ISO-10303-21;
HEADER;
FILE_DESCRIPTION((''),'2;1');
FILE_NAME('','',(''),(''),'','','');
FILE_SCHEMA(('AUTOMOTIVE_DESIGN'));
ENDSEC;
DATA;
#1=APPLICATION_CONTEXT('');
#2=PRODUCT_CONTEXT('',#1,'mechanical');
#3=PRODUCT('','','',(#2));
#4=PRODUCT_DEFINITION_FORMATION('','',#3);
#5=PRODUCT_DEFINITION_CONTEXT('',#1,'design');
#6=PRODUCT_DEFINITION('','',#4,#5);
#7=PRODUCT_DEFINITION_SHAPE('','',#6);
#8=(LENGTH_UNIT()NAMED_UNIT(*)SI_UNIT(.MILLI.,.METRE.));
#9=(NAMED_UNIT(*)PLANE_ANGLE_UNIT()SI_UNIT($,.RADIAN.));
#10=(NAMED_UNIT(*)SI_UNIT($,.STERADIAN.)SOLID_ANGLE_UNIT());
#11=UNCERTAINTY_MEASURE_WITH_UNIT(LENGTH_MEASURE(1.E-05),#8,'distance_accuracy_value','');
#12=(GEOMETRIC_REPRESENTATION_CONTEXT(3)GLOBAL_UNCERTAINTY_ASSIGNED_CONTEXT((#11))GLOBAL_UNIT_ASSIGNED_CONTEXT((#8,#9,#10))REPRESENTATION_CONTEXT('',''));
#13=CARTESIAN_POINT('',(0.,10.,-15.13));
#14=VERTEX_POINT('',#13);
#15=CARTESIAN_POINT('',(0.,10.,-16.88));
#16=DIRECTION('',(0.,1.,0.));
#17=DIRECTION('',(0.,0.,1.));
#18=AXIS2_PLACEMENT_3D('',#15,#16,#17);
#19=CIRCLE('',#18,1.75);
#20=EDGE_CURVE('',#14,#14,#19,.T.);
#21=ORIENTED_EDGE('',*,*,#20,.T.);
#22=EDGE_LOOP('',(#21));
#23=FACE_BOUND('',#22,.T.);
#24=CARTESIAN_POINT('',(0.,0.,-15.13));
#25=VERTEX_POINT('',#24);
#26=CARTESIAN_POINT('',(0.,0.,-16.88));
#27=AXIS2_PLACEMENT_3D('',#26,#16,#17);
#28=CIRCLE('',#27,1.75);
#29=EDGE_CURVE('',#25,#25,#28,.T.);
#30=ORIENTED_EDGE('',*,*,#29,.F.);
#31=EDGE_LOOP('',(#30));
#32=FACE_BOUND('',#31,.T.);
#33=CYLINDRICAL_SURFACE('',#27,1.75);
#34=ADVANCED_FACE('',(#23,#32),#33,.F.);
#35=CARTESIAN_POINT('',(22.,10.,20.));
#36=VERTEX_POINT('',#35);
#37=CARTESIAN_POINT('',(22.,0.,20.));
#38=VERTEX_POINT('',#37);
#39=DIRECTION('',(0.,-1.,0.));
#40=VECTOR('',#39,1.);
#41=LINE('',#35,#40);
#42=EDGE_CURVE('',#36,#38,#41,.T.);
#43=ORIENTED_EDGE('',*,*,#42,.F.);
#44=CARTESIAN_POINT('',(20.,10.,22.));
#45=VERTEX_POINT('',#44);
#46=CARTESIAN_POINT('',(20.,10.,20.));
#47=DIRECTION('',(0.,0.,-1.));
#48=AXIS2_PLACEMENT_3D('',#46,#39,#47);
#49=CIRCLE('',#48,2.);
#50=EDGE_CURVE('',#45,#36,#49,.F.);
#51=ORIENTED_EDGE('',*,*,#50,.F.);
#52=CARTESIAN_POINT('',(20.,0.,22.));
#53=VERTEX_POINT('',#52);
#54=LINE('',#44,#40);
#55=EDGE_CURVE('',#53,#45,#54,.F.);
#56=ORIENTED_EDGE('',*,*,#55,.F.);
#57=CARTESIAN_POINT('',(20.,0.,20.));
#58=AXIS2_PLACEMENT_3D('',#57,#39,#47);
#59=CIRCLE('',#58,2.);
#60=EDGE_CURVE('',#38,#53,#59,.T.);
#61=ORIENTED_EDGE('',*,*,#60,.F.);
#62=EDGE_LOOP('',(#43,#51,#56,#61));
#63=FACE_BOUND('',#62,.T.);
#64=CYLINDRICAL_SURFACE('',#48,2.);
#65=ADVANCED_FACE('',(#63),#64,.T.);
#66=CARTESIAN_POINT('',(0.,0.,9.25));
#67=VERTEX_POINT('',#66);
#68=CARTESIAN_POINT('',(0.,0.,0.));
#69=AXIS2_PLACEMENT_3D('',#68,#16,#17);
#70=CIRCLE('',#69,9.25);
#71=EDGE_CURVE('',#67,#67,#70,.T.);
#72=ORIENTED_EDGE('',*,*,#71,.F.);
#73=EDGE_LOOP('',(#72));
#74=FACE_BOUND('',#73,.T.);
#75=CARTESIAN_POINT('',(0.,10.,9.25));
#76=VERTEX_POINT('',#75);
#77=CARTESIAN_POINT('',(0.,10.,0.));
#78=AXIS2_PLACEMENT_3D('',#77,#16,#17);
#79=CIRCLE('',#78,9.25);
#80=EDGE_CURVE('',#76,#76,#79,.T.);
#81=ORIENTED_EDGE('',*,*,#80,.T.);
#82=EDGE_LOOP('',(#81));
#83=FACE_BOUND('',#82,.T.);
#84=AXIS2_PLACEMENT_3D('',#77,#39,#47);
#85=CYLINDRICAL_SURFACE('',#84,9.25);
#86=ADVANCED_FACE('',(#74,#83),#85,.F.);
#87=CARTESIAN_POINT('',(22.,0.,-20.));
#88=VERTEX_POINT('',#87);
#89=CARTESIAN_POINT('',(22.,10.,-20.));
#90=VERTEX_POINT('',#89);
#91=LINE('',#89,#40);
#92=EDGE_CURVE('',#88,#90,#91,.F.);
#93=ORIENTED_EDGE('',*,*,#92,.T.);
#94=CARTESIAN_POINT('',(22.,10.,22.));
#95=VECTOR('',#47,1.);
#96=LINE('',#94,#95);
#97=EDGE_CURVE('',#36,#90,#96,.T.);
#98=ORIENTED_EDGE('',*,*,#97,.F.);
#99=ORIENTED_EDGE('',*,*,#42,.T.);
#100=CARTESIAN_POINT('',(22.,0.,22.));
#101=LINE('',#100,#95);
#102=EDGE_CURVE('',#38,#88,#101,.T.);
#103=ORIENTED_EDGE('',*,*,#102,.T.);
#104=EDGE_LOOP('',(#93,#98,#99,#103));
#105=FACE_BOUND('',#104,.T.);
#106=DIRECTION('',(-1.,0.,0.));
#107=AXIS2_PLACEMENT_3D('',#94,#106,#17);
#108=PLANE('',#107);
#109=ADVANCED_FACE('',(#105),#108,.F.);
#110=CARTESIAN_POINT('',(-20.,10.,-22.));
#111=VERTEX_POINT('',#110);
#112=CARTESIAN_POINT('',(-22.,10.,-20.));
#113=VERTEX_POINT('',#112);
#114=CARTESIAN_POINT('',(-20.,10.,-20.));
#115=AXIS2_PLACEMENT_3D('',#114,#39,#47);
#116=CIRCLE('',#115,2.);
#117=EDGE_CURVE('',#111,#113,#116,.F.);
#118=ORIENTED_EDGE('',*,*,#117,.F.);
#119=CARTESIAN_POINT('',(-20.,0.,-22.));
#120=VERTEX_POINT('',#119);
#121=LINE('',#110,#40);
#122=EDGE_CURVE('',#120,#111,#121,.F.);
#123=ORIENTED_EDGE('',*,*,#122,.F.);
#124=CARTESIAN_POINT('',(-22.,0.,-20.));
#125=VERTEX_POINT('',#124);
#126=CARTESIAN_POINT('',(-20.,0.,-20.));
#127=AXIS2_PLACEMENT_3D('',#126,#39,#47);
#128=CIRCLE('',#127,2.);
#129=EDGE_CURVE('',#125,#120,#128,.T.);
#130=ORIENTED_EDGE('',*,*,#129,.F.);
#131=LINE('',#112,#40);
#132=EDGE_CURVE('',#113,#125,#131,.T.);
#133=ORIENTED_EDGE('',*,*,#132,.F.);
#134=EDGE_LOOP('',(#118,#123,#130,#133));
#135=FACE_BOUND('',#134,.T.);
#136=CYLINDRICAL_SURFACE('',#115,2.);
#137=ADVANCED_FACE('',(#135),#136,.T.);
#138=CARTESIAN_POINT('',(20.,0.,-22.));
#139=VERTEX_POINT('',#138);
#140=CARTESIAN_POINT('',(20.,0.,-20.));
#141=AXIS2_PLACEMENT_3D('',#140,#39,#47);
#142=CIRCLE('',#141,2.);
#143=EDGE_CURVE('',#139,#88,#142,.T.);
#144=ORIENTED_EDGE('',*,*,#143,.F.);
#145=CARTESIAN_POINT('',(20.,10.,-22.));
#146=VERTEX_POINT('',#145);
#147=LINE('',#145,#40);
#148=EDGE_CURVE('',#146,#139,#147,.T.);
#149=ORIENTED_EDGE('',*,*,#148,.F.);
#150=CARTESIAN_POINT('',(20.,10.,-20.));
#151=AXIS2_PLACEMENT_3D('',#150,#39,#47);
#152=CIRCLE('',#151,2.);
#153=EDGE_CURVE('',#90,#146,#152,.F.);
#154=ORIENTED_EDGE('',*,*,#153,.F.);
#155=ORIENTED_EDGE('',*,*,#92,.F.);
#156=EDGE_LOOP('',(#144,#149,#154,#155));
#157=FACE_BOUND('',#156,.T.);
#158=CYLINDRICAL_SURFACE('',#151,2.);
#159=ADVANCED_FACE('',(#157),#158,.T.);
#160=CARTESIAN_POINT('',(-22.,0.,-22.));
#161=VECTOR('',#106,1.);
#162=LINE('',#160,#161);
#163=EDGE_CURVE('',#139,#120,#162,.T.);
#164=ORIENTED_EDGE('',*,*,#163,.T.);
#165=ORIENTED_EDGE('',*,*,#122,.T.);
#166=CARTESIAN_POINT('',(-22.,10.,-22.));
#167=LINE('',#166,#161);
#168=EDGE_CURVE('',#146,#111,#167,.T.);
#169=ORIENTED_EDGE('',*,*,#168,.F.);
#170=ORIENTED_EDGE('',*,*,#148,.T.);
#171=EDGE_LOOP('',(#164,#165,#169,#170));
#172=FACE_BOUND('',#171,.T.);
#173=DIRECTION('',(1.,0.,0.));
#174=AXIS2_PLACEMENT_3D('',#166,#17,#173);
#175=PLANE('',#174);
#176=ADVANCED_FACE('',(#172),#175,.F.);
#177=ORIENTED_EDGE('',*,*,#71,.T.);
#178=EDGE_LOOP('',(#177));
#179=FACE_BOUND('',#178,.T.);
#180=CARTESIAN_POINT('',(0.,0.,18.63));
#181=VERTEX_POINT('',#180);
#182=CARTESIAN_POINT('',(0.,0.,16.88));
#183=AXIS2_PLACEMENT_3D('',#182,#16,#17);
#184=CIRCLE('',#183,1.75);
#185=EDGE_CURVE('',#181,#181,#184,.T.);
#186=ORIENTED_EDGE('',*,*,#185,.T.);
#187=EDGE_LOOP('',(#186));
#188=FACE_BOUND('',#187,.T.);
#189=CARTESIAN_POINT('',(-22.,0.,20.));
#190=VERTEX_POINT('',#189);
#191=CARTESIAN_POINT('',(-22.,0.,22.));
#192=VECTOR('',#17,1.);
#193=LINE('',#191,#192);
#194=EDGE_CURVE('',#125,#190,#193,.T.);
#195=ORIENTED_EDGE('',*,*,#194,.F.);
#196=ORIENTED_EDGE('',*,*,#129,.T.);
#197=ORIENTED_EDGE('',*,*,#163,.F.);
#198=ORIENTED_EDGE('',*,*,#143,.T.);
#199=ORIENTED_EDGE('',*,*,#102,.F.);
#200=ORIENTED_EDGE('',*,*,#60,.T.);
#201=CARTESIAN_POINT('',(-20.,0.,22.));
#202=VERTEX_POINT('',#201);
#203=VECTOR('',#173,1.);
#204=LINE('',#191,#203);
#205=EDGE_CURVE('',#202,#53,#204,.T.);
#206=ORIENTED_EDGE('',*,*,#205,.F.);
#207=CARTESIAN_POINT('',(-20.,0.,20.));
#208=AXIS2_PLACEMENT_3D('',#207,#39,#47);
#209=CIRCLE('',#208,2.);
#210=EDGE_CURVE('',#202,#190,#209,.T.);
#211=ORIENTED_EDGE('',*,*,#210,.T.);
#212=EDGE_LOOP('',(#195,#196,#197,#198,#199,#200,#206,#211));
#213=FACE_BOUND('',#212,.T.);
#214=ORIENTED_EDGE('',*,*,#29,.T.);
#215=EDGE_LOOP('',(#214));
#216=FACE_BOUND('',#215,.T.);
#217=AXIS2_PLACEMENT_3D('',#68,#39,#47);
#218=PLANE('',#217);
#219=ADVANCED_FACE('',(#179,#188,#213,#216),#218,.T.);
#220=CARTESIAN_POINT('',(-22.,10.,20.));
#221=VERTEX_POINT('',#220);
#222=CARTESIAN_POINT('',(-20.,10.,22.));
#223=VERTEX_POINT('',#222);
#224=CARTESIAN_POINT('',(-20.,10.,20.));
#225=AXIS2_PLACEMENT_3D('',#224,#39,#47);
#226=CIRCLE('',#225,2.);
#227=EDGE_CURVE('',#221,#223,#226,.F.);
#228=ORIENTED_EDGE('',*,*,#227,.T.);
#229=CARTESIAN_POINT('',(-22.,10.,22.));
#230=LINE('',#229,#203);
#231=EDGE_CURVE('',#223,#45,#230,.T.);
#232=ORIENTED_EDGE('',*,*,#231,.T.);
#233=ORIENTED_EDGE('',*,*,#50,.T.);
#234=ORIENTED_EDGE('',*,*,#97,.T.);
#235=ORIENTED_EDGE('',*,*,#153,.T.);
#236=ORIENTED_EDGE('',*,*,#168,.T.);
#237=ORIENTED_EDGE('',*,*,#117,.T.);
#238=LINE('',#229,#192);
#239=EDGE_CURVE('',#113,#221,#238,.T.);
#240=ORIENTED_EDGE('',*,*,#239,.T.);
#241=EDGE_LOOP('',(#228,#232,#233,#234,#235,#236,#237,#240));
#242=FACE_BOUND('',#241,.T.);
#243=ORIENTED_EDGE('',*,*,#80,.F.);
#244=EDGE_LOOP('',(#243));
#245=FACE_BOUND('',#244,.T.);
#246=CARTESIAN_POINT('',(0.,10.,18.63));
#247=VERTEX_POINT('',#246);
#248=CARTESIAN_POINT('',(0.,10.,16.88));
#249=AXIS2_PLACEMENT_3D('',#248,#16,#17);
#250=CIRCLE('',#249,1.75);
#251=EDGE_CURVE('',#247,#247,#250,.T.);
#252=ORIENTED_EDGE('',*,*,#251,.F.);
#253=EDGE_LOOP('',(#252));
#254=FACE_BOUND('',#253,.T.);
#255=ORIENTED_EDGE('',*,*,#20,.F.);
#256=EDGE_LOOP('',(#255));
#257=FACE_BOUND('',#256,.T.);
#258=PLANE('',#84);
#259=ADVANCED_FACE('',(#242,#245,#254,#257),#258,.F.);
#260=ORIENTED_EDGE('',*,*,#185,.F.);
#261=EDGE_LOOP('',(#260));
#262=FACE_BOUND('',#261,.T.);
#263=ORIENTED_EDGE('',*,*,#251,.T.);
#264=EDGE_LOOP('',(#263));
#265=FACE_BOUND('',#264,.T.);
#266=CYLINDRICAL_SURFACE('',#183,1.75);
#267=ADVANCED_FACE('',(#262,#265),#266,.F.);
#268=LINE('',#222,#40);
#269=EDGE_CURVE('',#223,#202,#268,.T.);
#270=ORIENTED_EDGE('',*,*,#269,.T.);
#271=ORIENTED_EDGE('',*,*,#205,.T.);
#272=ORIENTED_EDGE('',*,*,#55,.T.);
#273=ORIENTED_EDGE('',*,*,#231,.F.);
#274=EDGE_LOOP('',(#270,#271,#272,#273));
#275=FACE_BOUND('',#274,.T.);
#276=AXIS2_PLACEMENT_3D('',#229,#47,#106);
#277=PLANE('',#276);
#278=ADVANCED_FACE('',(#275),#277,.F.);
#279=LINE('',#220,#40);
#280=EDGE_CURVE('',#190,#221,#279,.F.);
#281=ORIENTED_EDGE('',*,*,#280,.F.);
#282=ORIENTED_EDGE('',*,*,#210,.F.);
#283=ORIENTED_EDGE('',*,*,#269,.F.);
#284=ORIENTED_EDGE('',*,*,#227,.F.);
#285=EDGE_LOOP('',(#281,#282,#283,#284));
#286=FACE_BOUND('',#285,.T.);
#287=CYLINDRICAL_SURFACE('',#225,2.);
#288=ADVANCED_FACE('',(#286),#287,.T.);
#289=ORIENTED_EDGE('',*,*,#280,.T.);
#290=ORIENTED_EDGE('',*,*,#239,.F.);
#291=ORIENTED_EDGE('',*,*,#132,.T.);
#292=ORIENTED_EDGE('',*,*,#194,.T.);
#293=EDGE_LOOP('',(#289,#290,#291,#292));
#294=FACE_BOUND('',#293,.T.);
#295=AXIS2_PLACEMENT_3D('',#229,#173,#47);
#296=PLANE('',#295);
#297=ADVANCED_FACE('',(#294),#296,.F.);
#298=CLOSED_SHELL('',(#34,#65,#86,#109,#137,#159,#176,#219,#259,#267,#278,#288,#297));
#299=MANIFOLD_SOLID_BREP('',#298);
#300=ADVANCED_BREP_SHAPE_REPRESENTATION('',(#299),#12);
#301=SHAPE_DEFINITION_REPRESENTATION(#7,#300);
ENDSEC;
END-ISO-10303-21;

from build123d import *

# Parameters (mm, degrees)
CROQUIS1_W              = 44
CROQUIS1_H              = 44
CROQUIS1_R              = 9.25
SALIENTE_EXTRUIR1_DEPTH = 10
CROQUIS2_R              = 1.75
CORTAR_EXTRUIR1_DEPTH   = 33.680269277
REDONDEO1_R             = 2


with BuildPart() as part:
    # Croquis1 → Saliente-Extruir1 (new body)
    with BuildSketch(Plane(origin=(0, 0, 0), x_dir=(1, 0, 0), z_dir=(0, 1, 0))):
        Rectangle(CROQUIS1_W, CROQUIS1_H)
        with Locations(Location((0, 0, 0), (0, 0, 270))):
            Circle(CROQUIS1_R, mode=Mode.SUBTRACT)
    extrude(amount=SALIENTE_EXTRUIR1_DEPTH)

    # Croquis2 → Cortar-Extruir1 (cut, through all)
    with BuildSketch(Plane(origin=(0, 10, 0), x_dir=(1, 0, 0), z_dir=(0, 1, 0))):
        with Locations(Location((0, 16.88, 0), (0, 0, 270))):
            Circle(CROQUIS2_R)
        with Locations(Location((0, -16.88, 0), (0, 0, 270))):
            Circle(CROQUIS2_R)
    extrude(amount=-CORTAR_EXTRUIR1_DEPTH, mode=Mode.SUBTRACT)

    # Redondeo1
    redondeo1_edges = [part.edges().sort_by_distance(p)[0] for p in [
        (22, 5, 22),
        (-22, 5, 22),
        (-22, 5, -22),
        (22, 5, -22),
    ]]
    fillet(redondeo1_edges, radius=REDONDEO1_R)


solid = part.part
